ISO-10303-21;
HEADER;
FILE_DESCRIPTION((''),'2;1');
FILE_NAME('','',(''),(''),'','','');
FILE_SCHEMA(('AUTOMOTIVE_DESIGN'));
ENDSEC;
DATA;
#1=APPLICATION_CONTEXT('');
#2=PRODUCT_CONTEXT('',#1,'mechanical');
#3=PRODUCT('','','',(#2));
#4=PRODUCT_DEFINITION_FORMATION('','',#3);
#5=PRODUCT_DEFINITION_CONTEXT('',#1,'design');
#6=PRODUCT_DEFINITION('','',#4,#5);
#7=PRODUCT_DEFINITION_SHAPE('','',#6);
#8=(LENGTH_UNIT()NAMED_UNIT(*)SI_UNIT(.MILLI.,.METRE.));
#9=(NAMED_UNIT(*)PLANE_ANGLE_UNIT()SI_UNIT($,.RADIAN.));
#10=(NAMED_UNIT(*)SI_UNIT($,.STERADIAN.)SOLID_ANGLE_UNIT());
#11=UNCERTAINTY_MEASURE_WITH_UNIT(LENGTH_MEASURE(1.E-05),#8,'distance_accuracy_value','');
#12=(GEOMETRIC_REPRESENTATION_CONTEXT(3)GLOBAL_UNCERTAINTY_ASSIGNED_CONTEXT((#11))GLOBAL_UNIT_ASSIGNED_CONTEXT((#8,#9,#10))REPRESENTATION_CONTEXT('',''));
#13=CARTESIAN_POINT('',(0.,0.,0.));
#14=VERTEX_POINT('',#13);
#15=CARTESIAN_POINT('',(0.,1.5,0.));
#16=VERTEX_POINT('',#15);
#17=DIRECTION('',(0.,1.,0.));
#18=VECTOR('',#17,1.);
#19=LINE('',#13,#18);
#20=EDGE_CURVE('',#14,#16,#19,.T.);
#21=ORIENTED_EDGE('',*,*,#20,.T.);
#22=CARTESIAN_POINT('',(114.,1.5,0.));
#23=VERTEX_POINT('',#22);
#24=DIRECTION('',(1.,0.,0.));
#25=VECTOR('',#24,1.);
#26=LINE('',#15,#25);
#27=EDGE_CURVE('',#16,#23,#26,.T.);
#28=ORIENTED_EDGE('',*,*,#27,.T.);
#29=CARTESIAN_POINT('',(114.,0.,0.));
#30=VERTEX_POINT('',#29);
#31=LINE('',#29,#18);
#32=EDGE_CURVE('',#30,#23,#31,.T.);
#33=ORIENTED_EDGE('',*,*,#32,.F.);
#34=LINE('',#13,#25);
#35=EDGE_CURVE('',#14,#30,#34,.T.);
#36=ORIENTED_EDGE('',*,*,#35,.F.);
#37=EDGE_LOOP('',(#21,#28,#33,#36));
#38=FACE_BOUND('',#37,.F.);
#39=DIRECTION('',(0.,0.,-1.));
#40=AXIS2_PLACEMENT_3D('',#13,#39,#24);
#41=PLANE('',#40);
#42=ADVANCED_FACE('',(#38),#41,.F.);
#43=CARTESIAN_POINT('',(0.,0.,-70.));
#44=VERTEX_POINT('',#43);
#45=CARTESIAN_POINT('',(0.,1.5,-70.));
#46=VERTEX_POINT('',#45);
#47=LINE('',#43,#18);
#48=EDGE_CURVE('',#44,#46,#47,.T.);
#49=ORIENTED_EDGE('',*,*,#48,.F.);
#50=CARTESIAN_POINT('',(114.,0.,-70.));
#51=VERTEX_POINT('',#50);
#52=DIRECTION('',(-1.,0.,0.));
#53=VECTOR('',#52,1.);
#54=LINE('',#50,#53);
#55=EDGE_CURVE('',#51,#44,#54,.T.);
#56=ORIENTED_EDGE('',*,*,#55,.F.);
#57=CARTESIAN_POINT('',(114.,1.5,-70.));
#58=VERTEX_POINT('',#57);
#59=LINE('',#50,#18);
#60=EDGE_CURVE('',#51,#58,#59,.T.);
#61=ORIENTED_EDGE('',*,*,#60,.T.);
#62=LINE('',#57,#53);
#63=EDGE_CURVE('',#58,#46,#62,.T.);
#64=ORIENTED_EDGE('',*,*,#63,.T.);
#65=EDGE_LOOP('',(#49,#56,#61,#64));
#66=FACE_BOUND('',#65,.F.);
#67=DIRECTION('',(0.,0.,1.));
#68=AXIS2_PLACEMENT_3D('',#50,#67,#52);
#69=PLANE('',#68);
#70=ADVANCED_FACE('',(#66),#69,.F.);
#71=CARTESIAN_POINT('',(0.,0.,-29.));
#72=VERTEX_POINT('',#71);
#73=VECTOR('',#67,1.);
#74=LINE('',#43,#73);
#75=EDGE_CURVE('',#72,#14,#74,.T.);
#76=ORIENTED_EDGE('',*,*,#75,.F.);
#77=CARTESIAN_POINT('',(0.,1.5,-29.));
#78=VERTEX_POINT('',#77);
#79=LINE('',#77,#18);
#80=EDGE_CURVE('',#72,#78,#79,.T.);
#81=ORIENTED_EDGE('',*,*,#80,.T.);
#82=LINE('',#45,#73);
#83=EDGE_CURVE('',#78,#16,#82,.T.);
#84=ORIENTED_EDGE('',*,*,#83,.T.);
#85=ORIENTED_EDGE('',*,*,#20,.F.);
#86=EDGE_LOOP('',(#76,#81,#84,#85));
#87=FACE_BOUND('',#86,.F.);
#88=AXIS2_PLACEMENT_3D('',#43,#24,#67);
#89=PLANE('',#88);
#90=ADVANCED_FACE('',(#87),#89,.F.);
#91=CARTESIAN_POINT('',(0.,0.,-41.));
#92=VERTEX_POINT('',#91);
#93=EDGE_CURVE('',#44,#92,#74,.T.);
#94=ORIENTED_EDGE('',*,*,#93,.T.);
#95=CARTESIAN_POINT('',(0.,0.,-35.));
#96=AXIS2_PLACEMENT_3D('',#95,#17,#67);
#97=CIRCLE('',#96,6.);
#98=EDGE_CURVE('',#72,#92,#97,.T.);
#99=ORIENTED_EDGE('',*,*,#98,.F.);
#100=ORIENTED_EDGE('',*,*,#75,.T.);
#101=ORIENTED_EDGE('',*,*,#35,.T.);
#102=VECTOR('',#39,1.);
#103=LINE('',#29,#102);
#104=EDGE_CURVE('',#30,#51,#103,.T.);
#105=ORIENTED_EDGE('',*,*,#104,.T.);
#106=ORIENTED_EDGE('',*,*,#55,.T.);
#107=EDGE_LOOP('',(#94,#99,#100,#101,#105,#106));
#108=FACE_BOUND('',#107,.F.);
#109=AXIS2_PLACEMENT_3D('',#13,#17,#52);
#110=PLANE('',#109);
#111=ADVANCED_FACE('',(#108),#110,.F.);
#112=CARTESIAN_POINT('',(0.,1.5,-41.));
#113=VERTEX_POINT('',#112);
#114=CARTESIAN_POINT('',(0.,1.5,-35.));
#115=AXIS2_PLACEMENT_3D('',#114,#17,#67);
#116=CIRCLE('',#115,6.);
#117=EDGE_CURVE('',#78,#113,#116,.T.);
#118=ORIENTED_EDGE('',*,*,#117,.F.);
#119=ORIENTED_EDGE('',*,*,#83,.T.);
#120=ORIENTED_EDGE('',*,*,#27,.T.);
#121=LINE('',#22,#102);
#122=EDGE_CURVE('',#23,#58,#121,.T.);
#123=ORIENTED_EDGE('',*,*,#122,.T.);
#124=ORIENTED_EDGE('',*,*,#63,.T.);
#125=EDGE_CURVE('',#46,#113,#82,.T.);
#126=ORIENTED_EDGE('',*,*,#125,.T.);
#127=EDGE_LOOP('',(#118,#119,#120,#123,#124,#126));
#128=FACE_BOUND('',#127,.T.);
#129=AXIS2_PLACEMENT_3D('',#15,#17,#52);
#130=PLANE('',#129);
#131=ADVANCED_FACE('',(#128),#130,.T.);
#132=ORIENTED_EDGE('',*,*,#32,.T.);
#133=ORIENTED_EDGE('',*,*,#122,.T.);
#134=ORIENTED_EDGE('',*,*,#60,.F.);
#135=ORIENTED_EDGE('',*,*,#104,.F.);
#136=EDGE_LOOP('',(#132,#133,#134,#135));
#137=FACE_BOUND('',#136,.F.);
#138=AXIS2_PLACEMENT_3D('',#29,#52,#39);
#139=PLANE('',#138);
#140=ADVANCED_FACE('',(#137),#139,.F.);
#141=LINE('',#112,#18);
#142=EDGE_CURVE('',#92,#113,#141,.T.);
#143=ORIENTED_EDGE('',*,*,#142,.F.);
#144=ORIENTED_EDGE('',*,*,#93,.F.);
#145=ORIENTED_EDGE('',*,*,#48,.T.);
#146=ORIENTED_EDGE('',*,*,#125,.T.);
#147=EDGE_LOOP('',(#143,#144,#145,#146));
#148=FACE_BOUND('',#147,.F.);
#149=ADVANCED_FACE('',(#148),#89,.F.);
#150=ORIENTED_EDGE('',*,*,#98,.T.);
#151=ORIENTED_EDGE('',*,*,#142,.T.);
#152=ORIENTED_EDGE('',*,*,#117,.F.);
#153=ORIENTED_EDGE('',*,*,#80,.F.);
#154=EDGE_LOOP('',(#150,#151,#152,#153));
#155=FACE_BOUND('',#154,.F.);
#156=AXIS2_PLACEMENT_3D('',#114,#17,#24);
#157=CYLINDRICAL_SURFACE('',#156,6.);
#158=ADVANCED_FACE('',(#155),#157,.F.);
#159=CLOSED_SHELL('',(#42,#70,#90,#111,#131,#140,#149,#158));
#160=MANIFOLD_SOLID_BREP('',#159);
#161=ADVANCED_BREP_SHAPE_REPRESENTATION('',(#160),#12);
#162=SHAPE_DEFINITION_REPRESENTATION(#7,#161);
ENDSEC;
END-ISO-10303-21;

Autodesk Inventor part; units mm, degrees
ref_plane "YZ Plane" through (0, 0, 0) normal (1, 0, 0) x (0, 1, 0)
ref_plane "XZ Plane" through (0, 0, 0) normal (0, 1, 0) x (-1, 0, 0)
ref_plane "XY Plane" through (0, 0, 0) normal (0, 0, 1) x (1, 0, 0)
sketch "スケッチ1" plane through (0, 0, 0) normal (0, 1, 0) x (-1, 0, 0)
  line L0 (0, 0) -> (-114, 0)
  line L1 (-114, 0) -> (-114, -70)
  line L2 (-114, -70) -> (0, -70)
  line L3 (0, -70) -> (0, 0)
  dimension "d0" = 114
  dimension "d1" = 70
extrude "押し出し1" add sketch "スケッチ1" along normal blind 1.5
sketch "スケッチ2" plane through (0, 1.5, 0) normal (0, 1, 0) x (1, 0, 0)
  line L0 (0, 70) -> (0, 0) projected
  circle A0 centre (0, 35) radius 6
  dimension "d4" = 12
extrude "押し出し2" cut sketch "スケッチ2" against normal blind 3
properties part number "COVER_revised"
